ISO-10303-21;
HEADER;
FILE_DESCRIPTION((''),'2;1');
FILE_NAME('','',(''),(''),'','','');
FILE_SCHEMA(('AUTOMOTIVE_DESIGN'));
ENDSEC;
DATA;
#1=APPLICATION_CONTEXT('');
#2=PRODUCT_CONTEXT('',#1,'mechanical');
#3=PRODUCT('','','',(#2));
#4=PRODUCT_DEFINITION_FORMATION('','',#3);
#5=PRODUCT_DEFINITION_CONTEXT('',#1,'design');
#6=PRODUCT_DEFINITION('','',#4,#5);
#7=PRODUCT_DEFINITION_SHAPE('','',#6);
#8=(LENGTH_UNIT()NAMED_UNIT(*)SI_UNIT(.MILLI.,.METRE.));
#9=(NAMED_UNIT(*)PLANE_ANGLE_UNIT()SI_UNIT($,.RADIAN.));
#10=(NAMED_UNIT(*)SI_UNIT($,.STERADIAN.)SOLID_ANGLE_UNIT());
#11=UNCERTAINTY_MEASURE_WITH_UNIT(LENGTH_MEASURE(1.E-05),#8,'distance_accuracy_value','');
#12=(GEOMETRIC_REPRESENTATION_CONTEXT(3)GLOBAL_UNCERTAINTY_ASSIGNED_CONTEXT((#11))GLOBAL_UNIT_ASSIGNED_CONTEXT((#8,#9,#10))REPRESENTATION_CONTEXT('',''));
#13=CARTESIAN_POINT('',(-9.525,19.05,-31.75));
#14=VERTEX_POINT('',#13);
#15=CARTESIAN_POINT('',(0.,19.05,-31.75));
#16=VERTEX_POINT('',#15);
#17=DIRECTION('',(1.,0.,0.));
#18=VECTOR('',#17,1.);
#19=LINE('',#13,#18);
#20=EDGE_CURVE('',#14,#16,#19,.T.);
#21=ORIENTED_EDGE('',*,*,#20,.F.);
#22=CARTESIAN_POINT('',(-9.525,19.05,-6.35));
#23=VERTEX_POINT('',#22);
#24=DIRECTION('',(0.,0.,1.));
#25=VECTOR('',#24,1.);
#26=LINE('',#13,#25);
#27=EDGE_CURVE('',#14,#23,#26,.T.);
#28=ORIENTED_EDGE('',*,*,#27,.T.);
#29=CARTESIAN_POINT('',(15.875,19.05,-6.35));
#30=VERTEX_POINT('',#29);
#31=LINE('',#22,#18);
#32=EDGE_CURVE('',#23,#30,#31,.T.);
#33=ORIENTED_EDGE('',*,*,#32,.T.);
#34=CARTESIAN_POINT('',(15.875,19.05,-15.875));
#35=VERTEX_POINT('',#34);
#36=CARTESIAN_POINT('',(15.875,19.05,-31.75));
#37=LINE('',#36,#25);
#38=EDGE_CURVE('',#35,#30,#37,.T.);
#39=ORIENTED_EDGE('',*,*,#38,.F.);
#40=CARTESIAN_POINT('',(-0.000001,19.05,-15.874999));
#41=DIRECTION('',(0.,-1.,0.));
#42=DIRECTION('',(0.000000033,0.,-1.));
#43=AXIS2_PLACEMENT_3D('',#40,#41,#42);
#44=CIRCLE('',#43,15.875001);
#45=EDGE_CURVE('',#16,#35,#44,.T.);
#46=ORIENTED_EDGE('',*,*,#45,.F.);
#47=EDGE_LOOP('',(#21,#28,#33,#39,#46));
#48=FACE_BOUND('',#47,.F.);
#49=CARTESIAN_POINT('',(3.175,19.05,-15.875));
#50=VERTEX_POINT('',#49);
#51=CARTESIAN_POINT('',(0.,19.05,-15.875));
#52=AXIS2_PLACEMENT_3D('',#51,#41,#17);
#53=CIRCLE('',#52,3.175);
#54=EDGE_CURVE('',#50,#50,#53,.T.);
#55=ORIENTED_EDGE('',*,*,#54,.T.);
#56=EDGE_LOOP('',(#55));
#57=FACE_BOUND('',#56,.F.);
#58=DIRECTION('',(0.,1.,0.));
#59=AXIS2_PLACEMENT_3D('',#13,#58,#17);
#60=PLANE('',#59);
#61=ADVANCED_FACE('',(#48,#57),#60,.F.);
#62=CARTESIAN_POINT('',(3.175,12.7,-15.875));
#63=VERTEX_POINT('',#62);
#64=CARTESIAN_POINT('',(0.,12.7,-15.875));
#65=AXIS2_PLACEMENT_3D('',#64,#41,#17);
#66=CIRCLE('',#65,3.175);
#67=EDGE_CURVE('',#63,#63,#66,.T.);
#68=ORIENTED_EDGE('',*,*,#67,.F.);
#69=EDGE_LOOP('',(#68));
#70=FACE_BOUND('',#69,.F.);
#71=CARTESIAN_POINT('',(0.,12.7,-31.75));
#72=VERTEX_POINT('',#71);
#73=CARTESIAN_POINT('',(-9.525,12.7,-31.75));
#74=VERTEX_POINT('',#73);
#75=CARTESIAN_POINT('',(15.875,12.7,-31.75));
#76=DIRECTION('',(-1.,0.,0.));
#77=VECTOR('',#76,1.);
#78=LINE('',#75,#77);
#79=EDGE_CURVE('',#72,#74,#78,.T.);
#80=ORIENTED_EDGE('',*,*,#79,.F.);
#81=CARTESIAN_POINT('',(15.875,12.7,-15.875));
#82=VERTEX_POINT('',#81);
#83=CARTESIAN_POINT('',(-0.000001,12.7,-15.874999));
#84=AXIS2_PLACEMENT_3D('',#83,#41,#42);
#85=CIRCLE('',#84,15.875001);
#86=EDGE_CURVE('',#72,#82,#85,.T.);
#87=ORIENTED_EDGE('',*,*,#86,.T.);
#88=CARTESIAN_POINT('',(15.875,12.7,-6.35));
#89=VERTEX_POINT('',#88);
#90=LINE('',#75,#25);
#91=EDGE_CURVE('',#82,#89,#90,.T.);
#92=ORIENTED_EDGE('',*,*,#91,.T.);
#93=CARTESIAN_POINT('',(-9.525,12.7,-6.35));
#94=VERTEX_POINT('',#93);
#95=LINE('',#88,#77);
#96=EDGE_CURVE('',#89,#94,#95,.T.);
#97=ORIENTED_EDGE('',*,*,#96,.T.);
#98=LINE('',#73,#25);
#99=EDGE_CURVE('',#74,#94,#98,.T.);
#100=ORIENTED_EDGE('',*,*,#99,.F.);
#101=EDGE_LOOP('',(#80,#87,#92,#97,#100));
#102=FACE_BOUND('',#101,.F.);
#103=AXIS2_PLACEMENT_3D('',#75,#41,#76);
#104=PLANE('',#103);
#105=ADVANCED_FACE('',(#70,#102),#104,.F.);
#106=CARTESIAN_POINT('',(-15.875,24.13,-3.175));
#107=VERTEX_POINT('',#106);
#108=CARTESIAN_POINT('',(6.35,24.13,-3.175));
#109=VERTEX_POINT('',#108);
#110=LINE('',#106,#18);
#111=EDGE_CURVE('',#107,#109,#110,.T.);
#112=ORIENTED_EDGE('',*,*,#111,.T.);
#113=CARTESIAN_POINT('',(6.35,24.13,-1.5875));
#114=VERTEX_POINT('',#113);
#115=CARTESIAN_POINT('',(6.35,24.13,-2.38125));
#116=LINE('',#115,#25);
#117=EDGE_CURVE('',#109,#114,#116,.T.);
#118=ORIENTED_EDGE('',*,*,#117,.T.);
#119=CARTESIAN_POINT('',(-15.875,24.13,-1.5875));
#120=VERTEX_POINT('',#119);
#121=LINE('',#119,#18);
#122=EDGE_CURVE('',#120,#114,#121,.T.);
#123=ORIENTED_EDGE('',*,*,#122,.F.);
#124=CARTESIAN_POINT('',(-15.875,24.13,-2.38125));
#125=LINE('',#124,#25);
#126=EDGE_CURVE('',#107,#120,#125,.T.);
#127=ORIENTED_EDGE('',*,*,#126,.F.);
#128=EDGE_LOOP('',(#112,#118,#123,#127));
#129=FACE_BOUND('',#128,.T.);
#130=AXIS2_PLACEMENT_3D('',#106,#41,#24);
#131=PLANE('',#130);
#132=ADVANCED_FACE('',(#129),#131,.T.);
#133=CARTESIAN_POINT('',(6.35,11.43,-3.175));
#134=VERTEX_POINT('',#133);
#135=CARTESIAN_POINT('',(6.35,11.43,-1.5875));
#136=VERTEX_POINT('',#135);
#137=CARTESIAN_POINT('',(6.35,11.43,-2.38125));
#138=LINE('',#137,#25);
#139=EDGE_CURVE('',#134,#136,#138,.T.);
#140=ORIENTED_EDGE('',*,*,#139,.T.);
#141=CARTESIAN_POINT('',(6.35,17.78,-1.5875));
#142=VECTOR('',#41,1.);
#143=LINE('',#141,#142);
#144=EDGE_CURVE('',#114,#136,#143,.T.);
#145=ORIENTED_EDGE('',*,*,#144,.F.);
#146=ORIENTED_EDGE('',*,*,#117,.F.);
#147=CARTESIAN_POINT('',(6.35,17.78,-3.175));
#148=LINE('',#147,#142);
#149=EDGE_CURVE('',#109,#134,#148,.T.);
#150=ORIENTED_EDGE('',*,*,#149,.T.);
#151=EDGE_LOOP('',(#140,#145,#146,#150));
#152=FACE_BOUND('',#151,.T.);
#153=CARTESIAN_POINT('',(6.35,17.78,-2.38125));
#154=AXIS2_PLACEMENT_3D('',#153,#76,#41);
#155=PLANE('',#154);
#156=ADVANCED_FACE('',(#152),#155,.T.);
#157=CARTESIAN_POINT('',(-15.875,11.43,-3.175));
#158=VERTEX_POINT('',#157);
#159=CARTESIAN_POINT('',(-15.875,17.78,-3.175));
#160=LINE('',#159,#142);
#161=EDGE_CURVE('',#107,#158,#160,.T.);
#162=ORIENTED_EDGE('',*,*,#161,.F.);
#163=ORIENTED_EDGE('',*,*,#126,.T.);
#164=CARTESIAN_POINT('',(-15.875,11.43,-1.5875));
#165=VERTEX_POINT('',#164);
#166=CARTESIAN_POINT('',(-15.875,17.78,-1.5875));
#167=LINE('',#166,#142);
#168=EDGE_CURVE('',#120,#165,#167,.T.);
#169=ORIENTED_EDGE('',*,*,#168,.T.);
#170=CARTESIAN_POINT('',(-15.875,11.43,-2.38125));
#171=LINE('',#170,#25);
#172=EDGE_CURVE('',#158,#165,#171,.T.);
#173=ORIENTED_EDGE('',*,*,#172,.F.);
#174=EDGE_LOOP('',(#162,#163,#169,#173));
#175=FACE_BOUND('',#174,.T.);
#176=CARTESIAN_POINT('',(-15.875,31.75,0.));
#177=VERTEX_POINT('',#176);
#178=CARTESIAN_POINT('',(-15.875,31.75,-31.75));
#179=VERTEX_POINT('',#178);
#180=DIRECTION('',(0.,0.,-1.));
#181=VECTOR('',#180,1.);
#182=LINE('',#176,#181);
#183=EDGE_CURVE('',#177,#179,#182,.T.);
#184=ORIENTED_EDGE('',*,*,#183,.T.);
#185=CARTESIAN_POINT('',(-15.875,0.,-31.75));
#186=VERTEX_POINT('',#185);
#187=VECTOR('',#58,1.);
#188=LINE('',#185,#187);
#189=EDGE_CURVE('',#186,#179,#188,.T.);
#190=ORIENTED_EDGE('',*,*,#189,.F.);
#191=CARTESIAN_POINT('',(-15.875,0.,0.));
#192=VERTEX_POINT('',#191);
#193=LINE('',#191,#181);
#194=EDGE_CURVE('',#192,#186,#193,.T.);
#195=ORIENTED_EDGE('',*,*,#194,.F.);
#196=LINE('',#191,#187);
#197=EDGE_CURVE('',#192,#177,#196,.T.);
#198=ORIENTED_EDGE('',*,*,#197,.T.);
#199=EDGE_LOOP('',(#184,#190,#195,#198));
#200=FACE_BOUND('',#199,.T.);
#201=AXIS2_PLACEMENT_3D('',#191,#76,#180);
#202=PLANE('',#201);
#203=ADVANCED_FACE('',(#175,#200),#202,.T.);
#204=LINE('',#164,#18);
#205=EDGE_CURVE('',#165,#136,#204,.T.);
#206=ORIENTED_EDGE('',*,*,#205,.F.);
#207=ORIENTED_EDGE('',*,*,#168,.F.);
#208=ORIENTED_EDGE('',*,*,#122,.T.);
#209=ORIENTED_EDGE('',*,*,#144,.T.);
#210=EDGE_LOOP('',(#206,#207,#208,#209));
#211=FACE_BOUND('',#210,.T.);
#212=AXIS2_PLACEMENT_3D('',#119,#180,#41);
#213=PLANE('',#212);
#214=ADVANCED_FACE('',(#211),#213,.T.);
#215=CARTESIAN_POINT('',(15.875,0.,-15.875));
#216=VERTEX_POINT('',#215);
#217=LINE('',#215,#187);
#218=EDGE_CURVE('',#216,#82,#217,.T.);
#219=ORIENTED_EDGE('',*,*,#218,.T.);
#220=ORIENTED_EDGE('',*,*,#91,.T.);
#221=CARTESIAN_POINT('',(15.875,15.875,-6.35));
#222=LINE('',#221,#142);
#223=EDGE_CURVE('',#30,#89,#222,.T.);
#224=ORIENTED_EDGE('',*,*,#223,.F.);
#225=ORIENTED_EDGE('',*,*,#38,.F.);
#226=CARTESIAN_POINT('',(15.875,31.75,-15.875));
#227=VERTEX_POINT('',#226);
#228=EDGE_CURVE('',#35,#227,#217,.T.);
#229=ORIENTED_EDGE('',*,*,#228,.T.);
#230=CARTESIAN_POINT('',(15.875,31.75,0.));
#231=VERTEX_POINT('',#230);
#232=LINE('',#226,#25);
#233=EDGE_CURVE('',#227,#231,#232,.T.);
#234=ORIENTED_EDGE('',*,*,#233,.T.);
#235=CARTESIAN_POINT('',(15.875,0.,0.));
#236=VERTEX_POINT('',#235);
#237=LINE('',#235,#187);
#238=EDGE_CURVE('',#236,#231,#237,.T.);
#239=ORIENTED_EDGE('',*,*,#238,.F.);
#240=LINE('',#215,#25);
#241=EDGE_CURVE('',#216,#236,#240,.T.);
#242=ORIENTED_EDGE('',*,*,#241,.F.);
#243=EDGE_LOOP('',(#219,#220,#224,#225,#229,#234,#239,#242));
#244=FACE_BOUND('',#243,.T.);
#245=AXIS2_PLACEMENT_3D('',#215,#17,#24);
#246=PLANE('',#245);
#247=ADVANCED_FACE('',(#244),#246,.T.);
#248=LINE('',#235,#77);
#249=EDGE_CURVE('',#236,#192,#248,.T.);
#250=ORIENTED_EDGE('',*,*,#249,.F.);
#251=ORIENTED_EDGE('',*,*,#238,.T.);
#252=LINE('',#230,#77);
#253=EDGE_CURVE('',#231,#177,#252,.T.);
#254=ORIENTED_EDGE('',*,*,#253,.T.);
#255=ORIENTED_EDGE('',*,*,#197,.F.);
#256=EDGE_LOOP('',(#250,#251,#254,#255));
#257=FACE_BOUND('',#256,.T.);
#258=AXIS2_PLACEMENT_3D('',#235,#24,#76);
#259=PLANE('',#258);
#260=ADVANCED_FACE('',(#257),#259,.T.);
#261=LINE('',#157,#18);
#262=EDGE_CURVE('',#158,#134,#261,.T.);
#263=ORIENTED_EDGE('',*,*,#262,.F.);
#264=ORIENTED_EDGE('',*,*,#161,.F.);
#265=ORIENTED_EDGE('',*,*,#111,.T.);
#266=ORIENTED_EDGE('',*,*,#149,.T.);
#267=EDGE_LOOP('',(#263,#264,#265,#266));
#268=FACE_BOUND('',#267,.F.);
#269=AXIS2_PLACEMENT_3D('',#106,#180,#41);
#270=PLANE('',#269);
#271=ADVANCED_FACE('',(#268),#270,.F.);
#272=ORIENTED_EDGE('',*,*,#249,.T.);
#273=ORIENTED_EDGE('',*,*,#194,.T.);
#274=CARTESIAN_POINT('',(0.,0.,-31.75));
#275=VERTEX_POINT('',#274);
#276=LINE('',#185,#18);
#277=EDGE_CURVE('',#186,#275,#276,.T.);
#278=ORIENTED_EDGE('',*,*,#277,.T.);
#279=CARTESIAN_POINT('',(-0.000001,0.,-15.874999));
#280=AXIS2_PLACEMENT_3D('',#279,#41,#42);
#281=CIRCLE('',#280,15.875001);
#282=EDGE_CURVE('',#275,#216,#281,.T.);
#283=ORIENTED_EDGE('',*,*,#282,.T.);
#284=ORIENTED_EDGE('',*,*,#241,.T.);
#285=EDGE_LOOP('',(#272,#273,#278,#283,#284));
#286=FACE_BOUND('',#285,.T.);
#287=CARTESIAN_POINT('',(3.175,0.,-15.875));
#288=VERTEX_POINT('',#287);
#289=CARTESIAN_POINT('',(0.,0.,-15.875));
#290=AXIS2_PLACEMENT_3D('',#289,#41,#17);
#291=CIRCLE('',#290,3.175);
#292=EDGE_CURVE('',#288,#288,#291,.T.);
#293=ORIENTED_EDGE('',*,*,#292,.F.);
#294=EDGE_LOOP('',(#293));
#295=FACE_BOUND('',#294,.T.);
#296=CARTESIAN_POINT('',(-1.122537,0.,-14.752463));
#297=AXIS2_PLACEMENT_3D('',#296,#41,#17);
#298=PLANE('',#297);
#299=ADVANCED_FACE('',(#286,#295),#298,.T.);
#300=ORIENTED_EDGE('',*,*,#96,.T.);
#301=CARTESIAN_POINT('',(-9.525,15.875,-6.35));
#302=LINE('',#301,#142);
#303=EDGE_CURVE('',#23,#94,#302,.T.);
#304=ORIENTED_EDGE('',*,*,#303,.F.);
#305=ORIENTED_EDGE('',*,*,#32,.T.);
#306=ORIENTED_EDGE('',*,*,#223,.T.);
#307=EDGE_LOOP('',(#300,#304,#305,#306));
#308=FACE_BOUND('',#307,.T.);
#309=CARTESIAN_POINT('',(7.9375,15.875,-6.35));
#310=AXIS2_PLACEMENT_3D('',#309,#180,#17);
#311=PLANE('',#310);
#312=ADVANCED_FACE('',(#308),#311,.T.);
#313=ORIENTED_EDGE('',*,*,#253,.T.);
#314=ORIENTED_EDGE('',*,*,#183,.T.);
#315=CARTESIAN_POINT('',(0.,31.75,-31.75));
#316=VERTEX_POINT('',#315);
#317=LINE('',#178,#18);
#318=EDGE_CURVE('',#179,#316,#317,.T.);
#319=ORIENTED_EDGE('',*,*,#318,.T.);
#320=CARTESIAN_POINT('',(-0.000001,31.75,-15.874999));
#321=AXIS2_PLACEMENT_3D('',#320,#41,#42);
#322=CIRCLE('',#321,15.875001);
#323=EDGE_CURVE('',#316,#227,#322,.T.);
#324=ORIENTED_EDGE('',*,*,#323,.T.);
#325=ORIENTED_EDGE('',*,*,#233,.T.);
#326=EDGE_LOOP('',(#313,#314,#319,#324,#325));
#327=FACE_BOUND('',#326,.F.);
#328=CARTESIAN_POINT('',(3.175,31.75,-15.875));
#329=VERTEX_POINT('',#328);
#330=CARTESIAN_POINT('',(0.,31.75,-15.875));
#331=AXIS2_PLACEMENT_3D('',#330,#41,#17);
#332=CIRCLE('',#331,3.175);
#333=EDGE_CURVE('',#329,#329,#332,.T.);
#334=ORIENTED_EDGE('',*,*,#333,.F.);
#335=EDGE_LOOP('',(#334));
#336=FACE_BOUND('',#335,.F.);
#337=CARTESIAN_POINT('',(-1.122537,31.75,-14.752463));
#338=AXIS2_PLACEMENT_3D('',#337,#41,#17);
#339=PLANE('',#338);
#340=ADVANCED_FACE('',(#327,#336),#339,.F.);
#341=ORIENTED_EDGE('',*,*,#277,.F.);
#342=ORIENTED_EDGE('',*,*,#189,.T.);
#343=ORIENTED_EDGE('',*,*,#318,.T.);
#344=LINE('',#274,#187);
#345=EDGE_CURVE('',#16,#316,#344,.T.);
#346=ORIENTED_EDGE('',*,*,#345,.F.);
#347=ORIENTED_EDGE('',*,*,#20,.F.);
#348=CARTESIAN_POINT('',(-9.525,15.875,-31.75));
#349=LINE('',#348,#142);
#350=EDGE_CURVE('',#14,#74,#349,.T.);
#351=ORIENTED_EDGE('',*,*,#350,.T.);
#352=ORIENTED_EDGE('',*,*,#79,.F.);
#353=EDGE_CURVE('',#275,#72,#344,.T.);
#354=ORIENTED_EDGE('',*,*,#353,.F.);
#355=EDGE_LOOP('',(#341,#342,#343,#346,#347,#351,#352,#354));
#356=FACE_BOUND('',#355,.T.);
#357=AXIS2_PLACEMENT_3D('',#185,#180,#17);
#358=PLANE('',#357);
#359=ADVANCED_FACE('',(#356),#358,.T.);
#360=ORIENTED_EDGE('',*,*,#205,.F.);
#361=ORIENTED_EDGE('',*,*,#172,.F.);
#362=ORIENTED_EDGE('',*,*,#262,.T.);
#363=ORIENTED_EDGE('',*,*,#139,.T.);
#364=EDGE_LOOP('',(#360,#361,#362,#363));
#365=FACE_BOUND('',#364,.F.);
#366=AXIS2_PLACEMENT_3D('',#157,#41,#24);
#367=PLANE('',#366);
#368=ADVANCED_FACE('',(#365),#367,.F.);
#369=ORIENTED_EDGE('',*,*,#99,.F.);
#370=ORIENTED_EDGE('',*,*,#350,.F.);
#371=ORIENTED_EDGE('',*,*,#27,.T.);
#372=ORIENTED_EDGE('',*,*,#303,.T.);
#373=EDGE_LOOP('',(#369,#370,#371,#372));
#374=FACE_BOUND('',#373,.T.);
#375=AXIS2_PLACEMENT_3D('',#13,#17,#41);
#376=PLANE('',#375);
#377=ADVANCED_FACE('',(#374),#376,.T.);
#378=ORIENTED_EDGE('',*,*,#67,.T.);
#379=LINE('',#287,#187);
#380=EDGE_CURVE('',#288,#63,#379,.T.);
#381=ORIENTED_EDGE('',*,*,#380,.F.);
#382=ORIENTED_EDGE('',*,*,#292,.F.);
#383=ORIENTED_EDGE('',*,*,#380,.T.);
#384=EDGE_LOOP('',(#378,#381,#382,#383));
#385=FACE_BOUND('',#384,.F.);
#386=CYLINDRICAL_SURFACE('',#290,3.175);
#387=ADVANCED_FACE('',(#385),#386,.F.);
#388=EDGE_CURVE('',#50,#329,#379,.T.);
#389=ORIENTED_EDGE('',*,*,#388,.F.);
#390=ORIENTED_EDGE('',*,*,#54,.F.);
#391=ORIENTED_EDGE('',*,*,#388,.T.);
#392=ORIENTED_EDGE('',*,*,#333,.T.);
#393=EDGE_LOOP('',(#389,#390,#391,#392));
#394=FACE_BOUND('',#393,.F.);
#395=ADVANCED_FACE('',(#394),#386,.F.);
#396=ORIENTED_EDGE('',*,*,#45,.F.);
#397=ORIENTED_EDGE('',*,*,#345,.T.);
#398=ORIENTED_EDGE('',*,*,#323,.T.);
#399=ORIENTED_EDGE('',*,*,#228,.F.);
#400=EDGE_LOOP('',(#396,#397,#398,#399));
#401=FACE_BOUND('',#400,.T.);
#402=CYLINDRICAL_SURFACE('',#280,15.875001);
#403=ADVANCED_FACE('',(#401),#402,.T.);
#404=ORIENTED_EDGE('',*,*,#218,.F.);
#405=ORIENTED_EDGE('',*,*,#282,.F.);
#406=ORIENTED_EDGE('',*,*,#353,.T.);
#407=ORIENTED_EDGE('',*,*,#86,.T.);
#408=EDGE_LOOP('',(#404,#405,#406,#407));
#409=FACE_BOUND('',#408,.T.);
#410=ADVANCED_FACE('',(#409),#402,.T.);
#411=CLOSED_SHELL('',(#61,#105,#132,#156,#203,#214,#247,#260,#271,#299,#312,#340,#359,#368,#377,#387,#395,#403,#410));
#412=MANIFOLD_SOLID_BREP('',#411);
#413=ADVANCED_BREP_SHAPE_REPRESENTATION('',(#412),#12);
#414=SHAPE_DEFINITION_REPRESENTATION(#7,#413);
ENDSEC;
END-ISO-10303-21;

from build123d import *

# Parameters (mm, degrees)
F0_R     = 3.175
F1_DEPTH = 31.75
F2_W     = 12.7
F2_H     = 1.5875
F3_DEPTH = 22.225
F4_W     = 15.875
F4_H     = 6.35
F4_W_2   = 9.525
F5_DEPTH = 25.4


with BuildPart() as f1:
    # F0 (on Front) → F1 (new body)
    with BuildSketch(Plane.XZ):
        with BuildLine():
            Line((15.875, -15.875), (15.875, 0))
            Line((15.875, 0), (-15.875, 0))
            Line((-15.875, 0), (-15.875, -31.75))
            Line((-15.875, -31.75), (0, -31.75))
            ThreePointArc((0, -31.75), (11.22532, -27.10032), (15.875, -15.875))
        make_face()
        with Locations((0, -15.875)):
            Circle(F0_R, mode=Mode.SUBTRACT)
    extrude(amount=-F1_DEPTH)

    # F2 (on face) → F3 (cut)
    with BuildSketch(Plane(origin=(-15.875, 0, 0), x_dir=(0, -1, 0), z_dir=(-1, 0, 0))):
        with Locations((-17.78, -2.38125)):
            Rectangle(F2_W, F2_H)
    extrude(amount=-F3_DEPTH, mode=Mode.SUBTRACT)

    # F4 (on face) → F5 (cut)
    with BuildSketch(Plane(origin=(0, 0, -31.75), x_dir=(1, 0, 0), z_dir=(0, 0, -1))):
        with Locations((7.9375, -15.875)):
            Rectangle(F4_W, F4_H)
        with Locations((-4.7625, -15.875)):
            Rectangle(F4_W_2, F4_H)
    extrude(amount=-F5_DEPTH, mode=Mode.SUBTRACT)


solid = f1.part
